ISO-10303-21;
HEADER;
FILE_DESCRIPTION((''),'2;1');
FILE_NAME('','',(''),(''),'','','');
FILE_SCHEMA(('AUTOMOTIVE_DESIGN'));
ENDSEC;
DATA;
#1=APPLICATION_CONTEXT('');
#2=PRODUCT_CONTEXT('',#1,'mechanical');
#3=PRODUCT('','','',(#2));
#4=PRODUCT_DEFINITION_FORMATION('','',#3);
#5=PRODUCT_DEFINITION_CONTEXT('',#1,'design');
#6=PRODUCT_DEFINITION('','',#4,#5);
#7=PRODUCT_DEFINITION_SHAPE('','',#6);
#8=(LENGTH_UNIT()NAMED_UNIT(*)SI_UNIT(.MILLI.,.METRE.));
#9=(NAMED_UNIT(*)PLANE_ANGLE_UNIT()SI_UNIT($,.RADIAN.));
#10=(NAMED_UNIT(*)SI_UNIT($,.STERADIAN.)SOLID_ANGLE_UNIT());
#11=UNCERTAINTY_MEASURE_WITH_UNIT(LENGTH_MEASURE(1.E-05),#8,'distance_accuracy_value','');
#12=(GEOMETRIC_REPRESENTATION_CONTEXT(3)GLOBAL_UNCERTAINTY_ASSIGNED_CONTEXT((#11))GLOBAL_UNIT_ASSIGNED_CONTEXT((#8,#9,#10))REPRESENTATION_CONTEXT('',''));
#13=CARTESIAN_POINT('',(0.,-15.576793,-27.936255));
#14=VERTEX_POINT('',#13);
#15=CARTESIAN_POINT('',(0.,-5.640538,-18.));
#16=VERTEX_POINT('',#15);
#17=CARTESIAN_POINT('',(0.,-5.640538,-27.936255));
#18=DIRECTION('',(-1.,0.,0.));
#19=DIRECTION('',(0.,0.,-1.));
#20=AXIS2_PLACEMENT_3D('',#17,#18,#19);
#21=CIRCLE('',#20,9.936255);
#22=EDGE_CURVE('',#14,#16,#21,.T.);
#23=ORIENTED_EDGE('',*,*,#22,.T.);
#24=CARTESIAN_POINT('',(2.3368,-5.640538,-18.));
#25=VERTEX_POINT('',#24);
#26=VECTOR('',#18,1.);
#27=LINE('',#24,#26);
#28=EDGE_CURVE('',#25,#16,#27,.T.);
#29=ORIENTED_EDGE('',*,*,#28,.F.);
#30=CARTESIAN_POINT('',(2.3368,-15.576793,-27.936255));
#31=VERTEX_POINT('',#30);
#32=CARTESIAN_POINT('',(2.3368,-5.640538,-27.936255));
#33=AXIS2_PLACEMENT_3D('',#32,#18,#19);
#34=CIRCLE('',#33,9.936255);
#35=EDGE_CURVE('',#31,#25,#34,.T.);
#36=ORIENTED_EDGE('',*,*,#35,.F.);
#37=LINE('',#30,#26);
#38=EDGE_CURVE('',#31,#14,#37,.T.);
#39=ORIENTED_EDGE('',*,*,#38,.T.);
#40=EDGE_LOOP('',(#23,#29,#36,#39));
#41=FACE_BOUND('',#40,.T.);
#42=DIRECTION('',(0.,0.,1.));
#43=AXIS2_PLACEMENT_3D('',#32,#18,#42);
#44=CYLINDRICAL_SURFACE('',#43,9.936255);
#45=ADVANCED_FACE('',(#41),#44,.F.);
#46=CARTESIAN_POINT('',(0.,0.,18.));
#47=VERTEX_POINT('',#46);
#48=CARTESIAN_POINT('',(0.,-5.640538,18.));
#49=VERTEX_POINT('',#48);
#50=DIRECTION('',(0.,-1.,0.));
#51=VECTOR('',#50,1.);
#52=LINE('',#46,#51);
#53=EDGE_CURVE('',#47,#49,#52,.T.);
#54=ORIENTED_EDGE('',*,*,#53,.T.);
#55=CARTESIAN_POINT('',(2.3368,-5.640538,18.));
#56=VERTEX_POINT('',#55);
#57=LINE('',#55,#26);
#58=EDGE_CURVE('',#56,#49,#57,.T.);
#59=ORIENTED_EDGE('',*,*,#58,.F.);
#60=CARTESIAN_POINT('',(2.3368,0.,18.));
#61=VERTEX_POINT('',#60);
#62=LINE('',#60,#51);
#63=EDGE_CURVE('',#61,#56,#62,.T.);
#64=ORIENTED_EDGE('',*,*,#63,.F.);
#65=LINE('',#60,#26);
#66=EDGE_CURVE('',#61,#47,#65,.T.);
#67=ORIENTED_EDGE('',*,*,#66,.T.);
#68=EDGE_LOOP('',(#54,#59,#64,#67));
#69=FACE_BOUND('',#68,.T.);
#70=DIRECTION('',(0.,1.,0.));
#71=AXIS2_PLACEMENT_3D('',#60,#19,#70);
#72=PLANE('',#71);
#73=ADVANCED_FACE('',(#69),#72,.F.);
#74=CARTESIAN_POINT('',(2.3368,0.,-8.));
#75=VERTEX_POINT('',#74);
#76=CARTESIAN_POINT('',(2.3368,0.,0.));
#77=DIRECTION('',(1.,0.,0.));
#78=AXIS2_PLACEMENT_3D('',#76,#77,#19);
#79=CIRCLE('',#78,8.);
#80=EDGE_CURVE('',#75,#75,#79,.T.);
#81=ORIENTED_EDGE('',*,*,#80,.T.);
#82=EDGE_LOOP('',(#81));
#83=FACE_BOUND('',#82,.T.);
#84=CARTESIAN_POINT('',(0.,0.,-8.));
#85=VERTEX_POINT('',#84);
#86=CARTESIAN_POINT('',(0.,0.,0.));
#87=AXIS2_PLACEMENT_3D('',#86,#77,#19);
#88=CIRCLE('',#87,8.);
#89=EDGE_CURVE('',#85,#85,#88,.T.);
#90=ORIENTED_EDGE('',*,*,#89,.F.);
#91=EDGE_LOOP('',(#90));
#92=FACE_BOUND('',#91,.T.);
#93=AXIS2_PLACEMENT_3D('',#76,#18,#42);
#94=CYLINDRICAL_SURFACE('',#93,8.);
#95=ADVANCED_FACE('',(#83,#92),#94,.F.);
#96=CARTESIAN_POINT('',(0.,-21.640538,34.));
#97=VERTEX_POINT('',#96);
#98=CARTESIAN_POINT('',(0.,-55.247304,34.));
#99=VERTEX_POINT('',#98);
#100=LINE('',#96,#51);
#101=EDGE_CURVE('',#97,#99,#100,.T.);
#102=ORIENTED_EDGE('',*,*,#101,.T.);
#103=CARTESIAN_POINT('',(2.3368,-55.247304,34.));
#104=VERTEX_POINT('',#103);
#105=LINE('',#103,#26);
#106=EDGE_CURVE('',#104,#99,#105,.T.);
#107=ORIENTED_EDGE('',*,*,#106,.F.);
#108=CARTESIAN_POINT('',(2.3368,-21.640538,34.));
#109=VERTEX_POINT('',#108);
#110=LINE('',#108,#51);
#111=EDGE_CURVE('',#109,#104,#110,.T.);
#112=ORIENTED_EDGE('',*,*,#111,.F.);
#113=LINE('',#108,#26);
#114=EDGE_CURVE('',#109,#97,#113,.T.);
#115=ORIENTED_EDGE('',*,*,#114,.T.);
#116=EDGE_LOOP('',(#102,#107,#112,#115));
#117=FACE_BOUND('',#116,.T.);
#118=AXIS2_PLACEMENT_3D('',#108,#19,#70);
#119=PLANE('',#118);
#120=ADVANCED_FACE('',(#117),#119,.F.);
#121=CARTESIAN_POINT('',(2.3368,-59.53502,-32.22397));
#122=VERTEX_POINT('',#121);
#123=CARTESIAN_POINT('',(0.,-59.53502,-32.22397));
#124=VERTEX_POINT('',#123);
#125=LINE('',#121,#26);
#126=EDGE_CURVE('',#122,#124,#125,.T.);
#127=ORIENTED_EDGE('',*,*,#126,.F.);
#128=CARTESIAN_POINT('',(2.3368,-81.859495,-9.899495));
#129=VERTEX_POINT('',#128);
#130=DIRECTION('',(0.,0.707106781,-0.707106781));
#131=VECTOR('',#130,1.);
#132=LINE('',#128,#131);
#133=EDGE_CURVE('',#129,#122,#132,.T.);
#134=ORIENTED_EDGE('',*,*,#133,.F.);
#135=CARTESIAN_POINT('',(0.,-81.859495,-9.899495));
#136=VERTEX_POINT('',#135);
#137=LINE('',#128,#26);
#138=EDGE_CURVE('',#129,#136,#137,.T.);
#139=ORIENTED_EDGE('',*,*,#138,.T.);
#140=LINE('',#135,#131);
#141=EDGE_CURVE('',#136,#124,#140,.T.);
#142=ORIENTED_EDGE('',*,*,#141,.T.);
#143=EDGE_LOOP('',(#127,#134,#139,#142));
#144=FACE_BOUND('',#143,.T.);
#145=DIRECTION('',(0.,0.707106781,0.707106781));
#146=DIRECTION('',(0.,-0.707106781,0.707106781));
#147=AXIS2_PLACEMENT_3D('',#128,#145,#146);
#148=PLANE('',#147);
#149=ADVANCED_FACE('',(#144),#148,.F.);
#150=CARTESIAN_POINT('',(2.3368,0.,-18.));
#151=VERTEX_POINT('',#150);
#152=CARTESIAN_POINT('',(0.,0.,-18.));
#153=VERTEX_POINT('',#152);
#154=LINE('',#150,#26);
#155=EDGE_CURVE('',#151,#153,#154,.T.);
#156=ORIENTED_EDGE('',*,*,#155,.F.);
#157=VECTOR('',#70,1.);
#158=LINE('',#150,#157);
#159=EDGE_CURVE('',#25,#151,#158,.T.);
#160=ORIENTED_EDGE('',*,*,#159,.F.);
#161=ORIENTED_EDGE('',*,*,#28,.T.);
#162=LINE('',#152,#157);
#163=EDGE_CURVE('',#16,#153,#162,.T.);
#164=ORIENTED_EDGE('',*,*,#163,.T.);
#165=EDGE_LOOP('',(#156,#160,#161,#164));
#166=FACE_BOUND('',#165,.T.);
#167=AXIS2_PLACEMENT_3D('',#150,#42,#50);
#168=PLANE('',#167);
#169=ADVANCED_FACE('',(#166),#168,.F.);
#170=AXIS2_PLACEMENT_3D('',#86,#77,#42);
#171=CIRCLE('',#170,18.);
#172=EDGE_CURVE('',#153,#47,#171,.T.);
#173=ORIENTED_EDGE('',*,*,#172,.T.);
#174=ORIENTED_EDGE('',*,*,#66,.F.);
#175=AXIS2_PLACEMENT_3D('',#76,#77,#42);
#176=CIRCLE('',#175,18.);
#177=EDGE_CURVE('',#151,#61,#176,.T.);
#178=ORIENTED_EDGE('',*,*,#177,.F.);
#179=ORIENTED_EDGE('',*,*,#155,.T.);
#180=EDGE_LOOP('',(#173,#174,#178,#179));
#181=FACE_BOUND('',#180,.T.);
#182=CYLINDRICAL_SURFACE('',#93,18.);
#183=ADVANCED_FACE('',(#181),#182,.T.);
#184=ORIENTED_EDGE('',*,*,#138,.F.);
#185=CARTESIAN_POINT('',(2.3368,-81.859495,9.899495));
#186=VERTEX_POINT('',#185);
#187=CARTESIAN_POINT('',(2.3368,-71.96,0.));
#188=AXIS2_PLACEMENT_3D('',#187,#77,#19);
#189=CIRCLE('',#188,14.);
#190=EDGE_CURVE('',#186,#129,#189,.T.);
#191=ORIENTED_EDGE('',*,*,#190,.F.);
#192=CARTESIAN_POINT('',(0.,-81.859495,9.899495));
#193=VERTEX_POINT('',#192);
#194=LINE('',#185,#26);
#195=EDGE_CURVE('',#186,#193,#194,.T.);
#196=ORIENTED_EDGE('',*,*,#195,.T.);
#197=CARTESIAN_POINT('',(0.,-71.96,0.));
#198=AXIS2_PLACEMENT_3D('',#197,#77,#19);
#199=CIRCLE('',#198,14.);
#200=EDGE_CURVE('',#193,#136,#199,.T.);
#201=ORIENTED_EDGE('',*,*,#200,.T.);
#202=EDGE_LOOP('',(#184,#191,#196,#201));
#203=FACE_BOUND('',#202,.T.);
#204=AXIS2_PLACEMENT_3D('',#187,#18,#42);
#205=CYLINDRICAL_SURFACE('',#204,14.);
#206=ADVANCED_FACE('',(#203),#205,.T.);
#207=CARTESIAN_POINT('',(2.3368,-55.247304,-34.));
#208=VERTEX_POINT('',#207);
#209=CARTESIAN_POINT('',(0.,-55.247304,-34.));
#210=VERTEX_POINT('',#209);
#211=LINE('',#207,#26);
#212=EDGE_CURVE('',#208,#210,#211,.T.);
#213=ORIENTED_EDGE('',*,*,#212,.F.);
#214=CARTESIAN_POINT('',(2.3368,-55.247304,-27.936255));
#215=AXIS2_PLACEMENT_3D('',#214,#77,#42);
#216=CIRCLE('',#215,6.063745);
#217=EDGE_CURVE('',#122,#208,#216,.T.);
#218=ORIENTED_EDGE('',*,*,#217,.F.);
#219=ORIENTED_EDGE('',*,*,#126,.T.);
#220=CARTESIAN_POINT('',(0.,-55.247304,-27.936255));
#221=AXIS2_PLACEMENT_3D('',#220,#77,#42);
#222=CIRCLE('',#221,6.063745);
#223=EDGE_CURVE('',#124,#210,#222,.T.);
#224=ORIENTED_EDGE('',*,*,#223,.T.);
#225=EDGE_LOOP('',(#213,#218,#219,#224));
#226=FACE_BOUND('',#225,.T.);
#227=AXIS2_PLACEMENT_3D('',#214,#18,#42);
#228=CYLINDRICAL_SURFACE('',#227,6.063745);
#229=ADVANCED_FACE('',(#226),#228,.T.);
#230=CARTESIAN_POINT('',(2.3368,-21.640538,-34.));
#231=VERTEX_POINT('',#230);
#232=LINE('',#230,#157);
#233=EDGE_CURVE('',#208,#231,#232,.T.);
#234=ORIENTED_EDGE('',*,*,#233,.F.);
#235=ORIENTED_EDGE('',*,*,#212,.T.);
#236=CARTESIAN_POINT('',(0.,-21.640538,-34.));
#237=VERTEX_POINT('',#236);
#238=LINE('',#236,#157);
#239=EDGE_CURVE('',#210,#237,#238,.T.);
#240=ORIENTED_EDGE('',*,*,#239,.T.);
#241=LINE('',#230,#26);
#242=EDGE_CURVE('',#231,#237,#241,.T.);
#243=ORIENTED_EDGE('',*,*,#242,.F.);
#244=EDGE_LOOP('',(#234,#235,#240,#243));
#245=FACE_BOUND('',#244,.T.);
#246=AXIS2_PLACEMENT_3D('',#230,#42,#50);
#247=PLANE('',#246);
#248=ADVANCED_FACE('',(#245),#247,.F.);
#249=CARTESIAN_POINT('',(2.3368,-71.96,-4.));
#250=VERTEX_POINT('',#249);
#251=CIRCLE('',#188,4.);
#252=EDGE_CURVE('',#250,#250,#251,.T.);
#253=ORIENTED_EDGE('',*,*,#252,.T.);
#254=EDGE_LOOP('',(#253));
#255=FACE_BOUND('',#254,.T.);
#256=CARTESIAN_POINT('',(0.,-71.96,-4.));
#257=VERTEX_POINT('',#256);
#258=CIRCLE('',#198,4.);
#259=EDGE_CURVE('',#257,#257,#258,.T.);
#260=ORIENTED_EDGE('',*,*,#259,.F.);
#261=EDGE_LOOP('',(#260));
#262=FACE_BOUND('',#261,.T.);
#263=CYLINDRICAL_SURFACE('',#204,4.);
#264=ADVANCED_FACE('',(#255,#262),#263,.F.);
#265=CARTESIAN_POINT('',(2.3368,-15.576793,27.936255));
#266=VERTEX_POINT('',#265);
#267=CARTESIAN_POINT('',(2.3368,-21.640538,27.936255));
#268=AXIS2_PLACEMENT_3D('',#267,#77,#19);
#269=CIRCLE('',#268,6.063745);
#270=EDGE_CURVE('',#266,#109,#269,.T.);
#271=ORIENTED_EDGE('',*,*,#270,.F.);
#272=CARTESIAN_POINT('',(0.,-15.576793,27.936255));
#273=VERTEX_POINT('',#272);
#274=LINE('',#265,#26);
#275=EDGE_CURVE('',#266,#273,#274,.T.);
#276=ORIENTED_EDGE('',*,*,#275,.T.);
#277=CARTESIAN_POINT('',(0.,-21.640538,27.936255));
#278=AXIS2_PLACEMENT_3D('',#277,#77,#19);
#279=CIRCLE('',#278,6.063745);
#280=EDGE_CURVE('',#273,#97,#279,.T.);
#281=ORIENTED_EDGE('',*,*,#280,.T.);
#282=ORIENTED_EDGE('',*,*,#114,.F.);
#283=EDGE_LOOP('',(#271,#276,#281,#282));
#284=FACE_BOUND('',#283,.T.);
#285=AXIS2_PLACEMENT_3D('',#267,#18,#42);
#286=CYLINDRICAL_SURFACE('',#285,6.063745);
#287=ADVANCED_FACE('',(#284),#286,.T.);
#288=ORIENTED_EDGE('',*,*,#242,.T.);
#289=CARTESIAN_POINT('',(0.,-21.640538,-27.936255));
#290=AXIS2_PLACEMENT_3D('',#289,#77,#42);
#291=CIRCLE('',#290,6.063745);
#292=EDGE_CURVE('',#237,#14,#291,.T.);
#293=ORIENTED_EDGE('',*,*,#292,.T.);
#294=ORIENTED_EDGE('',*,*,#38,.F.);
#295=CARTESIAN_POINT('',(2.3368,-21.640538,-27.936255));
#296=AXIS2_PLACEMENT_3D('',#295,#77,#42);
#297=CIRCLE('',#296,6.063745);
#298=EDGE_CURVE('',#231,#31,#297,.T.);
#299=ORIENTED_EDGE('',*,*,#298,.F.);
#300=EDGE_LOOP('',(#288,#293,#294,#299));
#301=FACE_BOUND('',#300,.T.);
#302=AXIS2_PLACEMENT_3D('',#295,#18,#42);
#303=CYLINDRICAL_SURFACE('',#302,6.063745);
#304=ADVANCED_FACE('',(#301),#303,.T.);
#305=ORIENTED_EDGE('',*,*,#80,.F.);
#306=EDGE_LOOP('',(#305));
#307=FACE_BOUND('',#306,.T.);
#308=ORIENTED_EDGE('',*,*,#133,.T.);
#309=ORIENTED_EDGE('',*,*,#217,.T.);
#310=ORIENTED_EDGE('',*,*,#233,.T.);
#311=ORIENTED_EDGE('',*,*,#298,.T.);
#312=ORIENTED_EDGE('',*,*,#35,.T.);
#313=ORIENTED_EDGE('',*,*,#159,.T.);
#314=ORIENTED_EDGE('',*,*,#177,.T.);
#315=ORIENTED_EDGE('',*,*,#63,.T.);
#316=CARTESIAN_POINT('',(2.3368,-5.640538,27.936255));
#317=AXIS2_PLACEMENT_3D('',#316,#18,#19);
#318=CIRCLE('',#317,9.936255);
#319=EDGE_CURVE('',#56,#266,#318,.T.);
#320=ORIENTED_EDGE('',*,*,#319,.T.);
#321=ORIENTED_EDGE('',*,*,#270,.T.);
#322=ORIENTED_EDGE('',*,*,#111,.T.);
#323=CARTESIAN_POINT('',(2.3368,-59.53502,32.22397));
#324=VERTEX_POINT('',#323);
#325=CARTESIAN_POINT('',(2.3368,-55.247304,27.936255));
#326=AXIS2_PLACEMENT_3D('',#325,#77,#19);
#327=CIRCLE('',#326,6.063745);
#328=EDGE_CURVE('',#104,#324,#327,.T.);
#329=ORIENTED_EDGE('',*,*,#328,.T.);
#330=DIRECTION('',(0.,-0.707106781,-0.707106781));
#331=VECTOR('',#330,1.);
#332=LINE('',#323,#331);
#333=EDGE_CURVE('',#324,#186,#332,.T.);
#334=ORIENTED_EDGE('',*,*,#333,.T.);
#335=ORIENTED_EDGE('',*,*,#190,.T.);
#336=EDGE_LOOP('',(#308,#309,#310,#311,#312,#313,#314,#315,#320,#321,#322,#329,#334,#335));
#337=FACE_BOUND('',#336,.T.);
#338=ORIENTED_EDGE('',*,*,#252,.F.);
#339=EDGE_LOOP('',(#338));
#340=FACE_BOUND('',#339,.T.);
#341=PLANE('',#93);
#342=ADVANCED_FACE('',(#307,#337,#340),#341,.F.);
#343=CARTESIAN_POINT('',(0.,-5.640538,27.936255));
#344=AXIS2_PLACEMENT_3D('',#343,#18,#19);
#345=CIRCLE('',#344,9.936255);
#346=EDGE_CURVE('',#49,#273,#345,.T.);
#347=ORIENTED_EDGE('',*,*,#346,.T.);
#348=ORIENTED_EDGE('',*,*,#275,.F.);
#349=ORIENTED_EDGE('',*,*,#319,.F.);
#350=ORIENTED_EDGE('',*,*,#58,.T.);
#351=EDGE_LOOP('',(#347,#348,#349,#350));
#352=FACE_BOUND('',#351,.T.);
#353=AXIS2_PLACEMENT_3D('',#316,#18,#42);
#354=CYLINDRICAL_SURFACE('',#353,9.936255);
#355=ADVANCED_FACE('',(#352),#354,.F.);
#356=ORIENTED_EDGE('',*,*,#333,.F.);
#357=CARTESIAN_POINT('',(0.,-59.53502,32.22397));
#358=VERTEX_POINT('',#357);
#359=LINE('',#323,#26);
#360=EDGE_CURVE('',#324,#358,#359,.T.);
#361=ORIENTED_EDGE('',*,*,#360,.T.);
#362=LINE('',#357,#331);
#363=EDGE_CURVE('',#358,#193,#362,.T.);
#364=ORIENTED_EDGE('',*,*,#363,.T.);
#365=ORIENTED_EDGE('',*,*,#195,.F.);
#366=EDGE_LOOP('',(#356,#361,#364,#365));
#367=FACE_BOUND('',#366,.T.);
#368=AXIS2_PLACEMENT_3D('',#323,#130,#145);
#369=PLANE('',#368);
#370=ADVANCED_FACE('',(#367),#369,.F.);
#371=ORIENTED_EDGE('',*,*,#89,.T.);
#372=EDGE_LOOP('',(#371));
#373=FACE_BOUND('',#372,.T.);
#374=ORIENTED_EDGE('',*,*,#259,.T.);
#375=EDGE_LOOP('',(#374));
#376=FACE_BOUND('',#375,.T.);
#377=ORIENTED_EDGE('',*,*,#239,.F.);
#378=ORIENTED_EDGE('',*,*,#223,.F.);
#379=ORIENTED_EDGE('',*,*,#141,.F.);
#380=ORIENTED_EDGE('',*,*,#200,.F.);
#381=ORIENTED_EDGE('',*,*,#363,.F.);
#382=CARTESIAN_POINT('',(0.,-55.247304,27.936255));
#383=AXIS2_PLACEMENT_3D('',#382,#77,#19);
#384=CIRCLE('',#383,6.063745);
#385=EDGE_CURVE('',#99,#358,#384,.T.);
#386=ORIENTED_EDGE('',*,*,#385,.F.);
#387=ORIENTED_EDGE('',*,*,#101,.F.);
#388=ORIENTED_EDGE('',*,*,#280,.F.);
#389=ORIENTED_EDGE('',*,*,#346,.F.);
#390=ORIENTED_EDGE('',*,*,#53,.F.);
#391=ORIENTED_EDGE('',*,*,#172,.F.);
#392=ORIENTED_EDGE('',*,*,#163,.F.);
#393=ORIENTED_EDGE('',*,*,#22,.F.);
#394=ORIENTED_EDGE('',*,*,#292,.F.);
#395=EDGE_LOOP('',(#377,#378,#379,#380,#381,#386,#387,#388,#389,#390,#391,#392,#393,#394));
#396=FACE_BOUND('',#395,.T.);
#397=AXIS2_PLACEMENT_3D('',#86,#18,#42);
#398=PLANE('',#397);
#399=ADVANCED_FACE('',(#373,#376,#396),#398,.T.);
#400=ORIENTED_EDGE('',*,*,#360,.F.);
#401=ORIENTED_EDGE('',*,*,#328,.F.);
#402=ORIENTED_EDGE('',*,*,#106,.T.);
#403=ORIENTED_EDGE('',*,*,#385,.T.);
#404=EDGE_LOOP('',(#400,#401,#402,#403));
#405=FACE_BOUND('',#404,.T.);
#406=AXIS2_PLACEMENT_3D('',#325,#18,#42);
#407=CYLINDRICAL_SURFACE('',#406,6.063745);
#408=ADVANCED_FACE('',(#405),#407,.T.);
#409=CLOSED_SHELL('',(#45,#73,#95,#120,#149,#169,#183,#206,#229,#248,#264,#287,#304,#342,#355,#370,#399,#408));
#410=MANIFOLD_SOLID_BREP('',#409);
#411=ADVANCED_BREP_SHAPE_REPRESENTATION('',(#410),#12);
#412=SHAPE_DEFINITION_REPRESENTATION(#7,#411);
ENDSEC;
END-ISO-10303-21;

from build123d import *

# Parameters (mm, degrees)
SKETCH1_R           = 8
SKETCH1_R_2         = 4
BOSS_EXTRUDE1_DEPTH = 2.3368


with BuildPart() as part:
    # Sketch1 → Boss-Extrude1 (new body)
    with BuildSketch(Plane(origin=(0, 0, 0), x_dir=(0, 0, -1), z_dir=(1, 0, 0))):
        with BuildLine():
            Line((-18, 0), (-18, -5.640538448))
            ThreePointArc((-18, -5.640538448), (-20.910261619, -12.666531518), (-27.936254688, -15.576793136))
            ThreePointArc((-27.936254688, -15.576793136), (-32.223970118, -17.352823019), (-34, -21.640538448))
            Line((-34, -21.640538448), (-34, -55.247304326))
            ThreePointArc((-34, -55.247304326), (-33.538424872, -57.567799195), (-32.223970118, -59.535019756))
            Line((-32.223970118, -59.535019756), (-9.899494937, -81.859494937))
            ThreePointArc((-9.899494937, -81.859494937), (0, -85.96), (9.899494937, -81.859494937))
            Line((9.899494937, -81.859494937), (32.223970118, -59.535019756))
            ThreePointArc((32.223970118, -59.535019756), (33.538424872, -57.567799195), (34, -55.247304326))
            Line((34, -55.247304326), (34, -21.640538448))
            ThreePointArc((34, -21.640538448), (32.223970118, -17.352823019), (27.936254688, -15.576793136))
            ThreePointArc((27.936254688, -15.576793136), (20.910261619, -12.666531518), (18, -5.640538448))
            Line((18, -5.640538448), (18, 0))
            ThreePointArc((18, 0), (0, 18), (-18, 0))
        make_face()
        Circle(SKETCH1_R, mode=Mode.SUBTRACT)
        with Locations((0, -71.96)):
            Circle(SKETCH1_R_2, mode=Mode.SUBTRACT)
    extrude(amount=BOSS_EXTRUDE1_DEPTH)


solid = part.part
